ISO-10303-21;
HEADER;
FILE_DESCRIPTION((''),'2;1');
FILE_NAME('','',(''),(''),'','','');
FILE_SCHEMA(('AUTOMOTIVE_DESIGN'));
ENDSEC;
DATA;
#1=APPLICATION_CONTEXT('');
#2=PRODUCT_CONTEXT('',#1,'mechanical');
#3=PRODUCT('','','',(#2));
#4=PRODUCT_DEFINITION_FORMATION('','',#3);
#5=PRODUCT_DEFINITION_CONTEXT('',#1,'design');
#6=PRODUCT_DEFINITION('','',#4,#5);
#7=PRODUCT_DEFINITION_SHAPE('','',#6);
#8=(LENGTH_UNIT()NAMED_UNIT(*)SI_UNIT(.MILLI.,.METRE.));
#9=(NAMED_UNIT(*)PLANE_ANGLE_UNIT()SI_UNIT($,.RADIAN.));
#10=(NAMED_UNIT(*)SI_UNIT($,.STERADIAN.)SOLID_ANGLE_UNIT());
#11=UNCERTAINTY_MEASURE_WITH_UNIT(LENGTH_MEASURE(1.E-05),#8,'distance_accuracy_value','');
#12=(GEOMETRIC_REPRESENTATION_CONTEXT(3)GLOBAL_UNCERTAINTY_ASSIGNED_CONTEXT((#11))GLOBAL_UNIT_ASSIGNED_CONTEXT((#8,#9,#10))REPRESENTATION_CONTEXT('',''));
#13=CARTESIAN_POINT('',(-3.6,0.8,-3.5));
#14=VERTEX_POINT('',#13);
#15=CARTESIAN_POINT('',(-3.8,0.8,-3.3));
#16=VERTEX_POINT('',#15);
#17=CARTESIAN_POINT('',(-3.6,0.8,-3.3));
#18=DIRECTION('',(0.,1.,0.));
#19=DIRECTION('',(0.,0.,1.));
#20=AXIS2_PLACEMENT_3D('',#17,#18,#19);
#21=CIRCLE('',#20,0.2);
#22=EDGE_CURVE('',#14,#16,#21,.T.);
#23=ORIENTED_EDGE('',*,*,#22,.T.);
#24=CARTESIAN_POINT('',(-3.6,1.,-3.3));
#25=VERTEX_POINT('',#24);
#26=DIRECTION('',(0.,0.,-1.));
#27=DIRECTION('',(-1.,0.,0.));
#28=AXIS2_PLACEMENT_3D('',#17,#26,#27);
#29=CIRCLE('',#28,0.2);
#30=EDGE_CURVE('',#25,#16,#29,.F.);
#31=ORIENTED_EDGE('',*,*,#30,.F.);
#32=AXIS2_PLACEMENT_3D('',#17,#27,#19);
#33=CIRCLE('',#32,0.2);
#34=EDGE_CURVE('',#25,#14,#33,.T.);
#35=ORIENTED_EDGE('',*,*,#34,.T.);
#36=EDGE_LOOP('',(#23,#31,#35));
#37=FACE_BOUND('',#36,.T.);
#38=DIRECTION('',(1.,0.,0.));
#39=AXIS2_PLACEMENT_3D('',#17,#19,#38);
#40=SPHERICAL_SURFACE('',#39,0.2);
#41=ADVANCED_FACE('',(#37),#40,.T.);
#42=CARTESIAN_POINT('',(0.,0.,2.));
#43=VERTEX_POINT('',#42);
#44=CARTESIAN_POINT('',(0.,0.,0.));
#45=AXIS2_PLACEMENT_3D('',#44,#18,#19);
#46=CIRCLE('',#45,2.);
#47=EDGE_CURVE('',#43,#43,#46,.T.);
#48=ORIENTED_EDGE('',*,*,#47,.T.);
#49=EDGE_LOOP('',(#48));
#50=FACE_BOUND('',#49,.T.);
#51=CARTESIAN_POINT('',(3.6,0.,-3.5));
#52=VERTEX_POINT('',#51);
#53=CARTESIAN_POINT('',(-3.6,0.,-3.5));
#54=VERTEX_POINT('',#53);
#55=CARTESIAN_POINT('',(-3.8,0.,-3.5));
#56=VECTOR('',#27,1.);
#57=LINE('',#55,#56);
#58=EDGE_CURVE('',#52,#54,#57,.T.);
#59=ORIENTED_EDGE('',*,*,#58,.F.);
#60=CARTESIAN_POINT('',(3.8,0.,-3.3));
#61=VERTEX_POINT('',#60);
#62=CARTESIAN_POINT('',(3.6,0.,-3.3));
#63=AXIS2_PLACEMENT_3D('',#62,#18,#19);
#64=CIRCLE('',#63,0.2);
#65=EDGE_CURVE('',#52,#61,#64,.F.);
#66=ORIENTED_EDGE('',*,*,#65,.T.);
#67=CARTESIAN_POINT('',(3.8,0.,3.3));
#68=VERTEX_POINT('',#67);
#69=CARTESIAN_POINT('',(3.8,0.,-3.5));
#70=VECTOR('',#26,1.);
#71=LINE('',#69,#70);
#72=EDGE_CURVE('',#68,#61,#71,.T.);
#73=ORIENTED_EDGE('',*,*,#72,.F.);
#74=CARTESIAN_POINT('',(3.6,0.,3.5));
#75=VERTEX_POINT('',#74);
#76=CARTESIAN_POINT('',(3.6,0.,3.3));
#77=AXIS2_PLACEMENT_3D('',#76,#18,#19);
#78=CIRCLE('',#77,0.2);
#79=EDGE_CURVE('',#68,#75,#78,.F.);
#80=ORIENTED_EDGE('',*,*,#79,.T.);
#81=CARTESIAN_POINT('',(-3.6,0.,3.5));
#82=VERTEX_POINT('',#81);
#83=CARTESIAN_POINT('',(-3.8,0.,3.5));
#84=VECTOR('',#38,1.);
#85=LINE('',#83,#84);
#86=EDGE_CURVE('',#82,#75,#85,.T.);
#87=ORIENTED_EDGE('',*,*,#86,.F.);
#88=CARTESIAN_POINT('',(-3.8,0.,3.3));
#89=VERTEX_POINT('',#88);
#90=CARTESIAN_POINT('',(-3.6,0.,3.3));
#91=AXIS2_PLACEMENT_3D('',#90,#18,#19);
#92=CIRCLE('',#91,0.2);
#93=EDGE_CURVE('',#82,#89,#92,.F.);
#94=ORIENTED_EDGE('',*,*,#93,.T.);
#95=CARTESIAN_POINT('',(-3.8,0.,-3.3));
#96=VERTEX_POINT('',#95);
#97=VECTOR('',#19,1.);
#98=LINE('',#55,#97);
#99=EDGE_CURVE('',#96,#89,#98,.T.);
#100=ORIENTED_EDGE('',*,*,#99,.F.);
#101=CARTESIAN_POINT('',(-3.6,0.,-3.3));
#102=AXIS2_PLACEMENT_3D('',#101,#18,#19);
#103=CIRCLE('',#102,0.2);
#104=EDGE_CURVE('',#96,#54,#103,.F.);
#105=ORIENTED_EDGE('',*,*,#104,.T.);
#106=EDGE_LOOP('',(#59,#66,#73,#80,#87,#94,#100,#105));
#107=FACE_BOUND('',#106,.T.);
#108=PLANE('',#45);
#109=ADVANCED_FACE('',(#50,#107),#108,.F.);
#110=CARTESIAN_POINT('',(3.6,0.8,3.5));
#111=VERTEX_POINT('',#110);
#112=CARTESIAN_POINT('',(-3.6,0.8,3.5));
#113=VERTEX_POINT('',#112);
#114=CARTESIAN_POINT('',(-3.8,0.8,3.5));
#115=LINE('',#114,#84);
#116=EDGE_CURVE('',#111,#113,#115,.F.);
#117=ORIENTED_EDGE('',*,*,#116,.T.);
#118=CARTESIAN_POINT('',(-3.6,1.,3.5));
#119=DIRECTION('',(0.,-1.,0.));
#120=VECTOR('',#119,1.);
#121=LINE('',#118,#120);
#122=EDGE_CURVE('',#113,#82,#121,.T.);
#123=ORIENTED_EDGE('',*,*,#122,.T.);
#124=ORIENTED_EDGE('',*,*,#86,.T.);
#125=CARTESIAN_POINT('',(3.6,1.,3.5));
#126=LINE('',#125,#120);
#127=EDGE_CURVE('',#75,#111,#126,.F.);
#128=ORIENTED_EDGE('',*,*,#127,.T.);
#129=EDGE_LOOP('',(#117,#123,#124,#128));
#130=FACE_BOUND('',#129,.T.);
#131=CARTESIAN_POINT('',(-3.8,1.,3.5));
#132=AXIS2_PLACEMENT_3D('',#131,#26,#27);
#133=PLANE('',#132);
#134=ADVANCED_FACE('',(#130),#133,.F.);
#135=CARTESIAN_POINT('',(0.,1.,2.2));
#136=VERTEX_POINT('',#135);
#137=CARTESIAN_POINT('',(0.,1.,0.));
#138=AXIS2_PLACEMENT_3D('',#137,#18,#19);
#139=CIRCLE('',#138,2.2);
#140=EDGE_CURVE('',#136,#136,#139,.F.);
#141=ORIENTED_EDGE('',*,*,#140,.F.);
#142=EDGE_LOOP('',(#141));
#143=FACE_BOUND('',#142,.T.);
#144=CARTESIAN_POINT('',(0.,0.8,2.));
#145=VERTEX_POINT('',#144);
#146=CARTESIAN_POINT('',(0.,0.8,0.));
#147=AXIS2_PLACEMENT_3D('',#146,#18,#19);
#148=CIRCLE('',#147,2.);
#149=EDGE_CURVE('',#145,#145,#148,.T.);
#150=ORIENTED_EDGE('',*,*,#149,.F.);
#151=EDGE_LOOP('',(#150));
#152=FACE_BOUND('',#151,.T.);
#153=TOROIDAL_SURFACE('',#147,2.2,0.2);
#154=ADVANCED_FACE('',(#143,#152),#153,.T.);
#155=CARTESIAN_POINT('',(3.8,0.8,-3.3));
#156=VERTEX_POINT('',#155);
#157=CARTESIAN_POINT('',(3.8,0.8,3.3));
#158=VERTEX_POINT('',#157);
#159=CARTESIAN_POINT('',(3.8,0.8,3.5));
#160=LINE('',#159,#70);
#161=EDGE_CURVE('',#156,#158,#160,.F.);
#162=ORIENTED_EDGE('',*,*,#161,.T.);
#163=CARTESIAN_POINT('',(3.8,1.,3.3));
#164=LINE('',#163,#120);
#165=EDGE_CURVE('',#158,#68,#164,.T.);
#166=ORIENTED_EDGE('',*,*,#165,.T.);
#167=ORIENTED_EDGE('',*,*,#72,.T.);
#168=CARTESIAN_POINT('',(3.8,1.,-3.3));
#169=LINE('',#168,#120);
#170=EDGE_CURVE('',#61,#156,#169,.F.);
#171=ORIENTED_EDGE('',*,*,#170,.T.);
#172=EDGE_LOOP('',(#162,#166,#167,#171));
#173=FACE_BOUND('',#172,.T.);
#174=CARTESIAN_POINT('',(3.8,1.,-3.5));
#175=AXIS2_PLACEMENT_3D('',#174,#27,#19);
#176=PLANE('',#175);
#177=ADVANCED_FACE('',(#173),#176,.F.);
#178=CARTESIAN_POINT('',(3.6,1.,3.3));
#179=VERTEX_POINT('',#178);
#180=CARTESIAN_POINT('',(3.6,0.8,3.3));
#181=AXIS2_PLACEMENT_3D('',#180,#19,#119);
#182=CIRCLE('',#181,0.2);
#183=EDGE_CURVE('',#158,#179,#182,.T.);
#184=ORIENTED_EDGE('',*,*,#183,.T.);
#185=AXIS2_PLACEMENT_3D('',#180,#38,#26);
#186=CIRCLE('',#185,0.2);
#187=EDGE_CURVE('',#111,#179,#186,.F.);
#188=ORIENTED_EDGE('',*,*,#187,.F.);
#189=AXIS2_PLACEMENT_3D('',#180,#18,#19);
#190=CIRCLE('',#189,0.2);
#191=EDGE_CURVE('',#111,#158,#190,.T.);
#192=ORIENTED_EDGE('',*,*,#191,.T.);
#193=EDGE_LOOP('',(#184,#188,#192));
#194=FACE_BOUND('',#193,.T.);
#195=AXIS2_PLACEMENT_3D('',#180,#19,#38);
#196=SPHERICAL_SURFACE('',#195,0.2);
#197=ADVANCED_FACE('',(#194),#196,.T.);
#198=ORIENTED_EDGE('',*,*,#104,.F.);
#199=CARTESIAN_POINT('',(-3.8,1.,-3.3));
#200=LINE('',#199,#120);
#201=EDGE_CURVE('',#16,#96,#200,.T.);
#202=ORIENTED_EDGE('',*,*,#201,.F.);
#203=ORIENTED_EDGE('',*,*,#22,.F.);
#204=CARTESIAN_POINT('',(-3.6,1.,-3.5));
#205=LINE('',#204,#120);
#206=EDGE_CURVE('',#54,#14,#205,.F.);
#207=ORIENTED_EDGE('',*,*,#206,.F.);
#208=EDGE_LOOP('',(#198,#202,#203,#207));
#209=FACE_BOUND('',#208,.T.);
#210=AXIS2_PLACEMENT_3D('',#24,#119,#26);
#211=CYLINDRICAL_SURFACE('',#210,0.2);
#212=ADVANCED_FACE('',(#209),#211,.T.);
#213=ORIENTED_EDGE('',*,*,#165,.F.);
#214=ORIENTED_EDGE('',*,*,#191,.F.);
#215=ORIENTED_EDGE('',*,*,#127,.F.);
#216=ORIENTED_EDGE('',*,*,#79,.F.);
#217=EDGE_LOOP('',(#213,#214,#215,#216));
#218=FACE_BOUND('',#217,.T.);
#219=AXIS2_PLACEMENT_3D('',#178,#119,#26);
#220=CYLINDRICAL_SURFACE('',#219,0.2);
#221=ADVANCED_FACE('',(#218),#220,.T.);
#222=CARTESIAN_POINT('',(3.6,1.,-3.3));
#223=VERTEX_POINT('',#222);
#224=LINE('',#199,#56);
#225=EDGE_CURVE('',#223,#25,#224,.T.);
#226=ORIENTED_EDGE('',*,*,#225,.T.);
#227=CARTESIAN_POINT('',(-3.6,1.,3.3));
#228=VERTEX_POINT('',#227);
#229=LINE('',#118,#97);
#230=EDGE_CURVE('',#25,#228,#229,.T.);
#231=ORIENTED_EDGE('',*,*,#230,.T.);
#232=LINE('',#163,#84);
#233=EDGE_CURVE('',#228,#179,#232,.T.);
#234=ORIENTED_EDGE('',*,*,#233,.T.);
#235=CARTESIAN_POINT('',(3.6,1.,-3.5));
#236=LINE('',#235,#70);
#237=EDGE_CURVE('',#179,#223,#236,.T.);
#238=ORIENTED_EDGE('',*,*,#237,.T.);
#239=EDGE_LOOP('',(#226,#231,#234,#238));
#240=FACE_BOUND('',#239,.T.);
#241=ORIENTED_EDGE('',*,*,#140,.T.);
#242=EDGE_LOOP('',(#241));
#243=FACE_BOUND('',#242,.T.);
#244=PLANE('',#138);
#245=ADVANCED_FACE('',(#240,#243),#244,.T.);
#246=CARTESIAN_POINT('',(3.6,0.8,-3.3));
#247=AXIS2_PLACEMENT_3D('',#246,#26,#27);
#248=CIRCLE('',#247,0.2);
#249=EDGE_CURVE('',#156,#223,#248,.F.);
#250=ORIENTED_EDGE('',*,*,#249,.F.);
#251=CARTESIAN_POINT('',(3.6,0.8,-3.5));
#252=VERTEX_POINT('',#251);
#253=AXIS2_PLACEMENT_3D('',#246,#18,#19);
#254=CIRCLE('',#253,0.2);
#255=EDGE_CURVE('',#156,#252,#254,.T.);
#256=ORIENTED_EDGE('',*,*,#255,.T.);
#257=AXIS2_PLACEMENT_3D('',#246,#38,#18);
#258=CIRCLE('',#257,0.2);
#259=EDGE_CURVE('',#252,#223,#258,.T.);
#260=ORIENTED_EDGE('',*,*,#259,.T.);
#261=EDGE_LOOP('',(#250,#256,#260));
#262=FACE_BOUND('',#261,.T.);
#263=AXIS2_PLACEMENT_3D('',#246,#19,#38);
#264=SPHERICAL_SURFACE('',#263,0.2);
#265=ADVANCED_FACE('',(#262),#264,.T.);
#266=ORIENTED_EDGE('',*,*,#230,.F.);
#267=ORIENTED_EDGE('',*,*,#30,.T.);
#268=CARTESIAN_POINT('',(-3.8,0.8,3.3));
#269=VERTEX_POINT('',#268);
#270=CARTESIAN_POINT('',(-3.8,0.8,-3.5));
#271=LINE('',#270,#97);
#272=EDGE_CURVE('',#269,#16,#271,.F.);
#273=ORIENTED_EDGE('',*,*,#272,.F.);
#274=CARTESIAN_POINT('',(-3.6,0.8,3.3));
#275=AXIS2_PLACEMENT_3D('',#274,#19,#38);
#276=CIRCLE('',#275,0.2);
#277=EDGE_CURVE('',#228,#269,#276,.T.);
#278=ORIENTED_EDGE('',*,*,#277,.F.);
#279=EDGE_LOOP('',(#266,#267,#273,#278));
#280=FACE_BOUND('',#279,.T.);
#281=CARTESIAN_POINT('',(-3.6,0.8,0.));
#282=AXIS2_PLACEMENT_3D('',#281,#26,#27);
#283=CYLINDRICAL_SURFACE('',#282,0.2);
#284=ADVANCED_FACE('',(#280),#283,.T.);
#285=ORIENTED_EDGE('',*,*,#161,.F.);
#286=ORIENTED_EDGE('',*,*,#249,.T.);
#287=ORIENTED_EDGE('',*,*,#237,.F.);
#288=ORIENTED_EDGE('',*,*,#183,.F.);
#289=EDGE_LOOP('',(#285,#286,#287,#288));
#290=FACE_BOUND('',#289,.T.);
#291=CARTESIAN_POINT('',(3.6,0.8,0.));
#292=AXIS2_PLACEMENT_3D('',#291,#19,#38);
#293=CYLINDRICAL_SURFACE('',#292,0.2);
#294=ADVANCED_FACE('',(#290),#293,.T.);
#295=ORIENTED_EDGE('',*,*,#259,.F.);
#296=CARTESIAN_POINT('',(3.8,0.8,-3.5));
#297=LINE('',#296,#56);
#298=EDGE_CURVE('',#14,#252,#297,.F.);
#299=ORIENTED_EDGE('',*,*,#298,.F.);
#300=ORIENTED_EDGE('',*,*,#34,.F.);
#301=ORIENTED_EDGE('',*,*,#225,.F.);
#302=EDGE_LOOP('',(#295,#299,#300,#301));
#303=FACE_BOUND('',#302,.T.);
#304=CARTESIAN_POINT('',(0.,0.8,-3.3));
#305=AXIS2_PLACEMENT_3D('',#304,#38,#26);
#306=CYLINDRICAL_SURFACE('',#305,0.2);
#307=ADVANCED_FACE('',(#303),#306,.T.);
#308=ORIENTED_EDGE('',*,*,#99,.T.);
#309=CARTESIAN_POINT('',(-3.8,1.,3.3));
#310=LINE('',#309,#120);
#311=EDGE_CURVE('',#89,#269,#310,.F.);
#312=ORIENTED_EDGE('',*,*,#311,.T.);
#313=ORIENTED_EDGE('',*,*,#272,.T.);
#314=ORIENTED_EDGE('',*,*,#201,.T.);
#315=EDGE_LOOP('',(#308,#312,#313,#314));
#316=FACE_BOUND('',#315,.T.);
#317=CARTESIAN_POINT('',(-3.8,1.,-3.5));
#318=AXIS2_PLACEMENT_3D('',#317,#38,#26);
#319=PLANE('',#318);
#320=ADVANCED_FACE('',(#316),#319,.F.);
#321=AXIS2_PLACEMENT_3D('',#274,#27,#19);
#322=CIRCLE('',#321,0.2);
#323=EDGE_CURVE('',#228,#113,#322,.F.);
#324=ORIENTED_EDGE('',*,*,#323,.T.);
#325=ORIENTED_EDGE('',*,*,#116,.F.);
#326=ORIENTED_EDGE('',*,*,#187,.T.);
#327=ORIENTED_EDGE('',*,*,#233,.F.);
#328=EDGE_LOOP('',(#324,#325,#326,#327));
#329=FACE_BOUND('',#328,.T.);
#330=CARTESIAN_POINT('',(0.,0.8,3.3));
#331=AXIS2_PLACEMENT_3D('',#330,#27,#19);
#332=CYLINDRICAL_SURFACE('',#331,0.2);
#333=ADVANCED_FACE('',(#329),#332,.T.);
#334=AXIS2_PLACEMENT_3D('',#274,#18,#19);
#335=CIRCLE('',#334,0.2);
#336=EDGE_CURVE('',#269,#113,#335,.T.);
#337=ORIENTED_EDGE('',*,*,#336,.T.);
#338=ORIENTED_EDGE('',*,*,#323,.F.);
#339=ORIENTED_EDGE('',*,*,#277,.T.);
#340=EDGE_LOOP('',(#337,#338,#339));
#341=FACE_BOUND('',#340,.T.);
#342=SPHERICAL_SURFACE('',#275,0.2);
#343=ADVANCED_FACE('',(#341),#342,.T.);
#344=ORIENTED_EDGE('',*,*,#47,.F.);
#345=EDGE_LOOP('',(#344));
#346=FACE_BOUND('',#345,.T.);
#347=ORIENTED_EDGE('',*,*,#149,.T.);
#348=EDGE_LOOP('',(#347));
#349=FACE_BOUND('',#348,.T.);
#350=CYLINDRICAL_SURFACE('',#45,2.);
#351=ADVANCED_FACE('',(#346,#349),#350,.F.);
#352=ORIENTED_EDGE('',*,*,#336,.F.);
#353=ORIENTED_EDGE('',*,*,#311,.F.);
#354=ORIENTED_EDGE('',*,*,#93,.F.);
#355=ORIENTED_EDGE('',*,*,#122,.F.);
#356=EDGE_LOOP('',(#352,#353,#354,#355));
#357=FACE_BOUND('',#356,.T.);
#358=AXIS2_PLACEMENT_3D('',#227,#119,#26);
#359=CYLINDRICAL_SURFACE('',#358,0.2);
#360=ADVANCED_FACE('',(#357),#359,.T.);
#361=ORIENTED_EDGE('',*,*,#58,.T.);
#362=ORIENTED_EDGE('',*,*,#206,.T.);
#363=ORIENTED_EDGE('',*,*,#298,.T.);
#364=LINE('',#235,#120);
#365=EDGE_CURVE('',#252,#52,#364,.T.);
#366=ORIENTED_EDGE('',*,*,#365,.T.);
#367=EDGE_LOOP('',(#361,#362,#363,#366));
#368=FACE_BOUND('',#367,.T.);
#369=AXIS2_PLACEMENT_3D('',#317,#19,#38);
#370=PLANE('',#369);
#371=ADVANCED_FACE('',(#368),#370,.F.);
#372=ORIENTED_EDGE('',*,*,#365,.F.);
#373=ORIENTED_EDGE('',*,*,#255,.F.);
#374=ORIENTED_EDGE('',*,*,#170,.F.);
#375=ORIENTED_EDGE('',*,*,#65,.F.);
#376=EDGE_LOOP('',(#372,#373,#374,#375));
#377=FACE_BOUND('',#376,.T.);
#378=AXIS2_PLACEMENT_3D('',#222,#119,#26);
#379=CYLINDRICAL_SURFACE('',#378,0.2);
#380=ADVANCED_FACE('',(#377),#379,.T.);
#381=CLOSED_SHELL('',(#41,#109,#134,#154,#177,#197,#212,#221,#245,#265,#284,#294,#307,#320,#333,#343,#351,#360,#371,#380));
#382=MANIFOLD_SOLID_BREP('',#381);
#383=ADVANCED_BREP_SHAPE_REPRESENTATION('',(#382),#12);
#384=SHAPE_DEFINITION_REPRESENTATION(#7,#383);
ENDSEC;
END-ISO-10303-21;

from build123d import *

# Parameters (mm, degrees)
SKETCH1_W           = 7.6
SKETCH1_H           = 7
BOSS_EXTRUDE1_DEPTH = 1
SKETCH2_R           = 2
CUT_EXTRUDE1_DEPTH  = 6.262128847
FILLET1_R           = 0.2


with BuildPart() as part:
    # Sketch1 → Boss-Extrude1 (new body)
    with BuildSketch(Plane(origin=(0, 0, 0), x_dir=(1, 0, 0), z_dir=(0, 1, 0))):
        Rectangle(SKETCH1_W, SKETCH1_H)
    extrude(amount=BOSS_EXTRUDE1_DEPTH)

    # Sketch2 → Cut-Extrude1 (cut, through all)
    with BuildSketch(Plane(origin=(0, 1, 0), x_dir=(1, 0, 0), z_dir=(0, 1, 0))):
        with Locations(Location((0, 0, 0), (0, 0, 270))):
            Circle(SKETCH2_R)
    extrude(amount=-CUT_EXTRUDE1_DEPTH, mode=Mode.SUBTRACT)

    # Fillet1
    fillet1_edges = [part.edges().sort_by_distance(p)[0] for p in [
        (-3.8, 1, 0),
        (0, 1, -2),
        (0, 1, 3.5),
        (3.8, 1, 0),
        (3.8, 0.5, 3.5),
        (-3.8, 0.5, 3.5),
        (-3.8, 0.5, -3.5),
        (3.8, 0.5, -3.5),
        (0, 1, -3.5),
    ]]
    fillet(fillet1_edges, radius=FILLET1_R)


solid = part.part
